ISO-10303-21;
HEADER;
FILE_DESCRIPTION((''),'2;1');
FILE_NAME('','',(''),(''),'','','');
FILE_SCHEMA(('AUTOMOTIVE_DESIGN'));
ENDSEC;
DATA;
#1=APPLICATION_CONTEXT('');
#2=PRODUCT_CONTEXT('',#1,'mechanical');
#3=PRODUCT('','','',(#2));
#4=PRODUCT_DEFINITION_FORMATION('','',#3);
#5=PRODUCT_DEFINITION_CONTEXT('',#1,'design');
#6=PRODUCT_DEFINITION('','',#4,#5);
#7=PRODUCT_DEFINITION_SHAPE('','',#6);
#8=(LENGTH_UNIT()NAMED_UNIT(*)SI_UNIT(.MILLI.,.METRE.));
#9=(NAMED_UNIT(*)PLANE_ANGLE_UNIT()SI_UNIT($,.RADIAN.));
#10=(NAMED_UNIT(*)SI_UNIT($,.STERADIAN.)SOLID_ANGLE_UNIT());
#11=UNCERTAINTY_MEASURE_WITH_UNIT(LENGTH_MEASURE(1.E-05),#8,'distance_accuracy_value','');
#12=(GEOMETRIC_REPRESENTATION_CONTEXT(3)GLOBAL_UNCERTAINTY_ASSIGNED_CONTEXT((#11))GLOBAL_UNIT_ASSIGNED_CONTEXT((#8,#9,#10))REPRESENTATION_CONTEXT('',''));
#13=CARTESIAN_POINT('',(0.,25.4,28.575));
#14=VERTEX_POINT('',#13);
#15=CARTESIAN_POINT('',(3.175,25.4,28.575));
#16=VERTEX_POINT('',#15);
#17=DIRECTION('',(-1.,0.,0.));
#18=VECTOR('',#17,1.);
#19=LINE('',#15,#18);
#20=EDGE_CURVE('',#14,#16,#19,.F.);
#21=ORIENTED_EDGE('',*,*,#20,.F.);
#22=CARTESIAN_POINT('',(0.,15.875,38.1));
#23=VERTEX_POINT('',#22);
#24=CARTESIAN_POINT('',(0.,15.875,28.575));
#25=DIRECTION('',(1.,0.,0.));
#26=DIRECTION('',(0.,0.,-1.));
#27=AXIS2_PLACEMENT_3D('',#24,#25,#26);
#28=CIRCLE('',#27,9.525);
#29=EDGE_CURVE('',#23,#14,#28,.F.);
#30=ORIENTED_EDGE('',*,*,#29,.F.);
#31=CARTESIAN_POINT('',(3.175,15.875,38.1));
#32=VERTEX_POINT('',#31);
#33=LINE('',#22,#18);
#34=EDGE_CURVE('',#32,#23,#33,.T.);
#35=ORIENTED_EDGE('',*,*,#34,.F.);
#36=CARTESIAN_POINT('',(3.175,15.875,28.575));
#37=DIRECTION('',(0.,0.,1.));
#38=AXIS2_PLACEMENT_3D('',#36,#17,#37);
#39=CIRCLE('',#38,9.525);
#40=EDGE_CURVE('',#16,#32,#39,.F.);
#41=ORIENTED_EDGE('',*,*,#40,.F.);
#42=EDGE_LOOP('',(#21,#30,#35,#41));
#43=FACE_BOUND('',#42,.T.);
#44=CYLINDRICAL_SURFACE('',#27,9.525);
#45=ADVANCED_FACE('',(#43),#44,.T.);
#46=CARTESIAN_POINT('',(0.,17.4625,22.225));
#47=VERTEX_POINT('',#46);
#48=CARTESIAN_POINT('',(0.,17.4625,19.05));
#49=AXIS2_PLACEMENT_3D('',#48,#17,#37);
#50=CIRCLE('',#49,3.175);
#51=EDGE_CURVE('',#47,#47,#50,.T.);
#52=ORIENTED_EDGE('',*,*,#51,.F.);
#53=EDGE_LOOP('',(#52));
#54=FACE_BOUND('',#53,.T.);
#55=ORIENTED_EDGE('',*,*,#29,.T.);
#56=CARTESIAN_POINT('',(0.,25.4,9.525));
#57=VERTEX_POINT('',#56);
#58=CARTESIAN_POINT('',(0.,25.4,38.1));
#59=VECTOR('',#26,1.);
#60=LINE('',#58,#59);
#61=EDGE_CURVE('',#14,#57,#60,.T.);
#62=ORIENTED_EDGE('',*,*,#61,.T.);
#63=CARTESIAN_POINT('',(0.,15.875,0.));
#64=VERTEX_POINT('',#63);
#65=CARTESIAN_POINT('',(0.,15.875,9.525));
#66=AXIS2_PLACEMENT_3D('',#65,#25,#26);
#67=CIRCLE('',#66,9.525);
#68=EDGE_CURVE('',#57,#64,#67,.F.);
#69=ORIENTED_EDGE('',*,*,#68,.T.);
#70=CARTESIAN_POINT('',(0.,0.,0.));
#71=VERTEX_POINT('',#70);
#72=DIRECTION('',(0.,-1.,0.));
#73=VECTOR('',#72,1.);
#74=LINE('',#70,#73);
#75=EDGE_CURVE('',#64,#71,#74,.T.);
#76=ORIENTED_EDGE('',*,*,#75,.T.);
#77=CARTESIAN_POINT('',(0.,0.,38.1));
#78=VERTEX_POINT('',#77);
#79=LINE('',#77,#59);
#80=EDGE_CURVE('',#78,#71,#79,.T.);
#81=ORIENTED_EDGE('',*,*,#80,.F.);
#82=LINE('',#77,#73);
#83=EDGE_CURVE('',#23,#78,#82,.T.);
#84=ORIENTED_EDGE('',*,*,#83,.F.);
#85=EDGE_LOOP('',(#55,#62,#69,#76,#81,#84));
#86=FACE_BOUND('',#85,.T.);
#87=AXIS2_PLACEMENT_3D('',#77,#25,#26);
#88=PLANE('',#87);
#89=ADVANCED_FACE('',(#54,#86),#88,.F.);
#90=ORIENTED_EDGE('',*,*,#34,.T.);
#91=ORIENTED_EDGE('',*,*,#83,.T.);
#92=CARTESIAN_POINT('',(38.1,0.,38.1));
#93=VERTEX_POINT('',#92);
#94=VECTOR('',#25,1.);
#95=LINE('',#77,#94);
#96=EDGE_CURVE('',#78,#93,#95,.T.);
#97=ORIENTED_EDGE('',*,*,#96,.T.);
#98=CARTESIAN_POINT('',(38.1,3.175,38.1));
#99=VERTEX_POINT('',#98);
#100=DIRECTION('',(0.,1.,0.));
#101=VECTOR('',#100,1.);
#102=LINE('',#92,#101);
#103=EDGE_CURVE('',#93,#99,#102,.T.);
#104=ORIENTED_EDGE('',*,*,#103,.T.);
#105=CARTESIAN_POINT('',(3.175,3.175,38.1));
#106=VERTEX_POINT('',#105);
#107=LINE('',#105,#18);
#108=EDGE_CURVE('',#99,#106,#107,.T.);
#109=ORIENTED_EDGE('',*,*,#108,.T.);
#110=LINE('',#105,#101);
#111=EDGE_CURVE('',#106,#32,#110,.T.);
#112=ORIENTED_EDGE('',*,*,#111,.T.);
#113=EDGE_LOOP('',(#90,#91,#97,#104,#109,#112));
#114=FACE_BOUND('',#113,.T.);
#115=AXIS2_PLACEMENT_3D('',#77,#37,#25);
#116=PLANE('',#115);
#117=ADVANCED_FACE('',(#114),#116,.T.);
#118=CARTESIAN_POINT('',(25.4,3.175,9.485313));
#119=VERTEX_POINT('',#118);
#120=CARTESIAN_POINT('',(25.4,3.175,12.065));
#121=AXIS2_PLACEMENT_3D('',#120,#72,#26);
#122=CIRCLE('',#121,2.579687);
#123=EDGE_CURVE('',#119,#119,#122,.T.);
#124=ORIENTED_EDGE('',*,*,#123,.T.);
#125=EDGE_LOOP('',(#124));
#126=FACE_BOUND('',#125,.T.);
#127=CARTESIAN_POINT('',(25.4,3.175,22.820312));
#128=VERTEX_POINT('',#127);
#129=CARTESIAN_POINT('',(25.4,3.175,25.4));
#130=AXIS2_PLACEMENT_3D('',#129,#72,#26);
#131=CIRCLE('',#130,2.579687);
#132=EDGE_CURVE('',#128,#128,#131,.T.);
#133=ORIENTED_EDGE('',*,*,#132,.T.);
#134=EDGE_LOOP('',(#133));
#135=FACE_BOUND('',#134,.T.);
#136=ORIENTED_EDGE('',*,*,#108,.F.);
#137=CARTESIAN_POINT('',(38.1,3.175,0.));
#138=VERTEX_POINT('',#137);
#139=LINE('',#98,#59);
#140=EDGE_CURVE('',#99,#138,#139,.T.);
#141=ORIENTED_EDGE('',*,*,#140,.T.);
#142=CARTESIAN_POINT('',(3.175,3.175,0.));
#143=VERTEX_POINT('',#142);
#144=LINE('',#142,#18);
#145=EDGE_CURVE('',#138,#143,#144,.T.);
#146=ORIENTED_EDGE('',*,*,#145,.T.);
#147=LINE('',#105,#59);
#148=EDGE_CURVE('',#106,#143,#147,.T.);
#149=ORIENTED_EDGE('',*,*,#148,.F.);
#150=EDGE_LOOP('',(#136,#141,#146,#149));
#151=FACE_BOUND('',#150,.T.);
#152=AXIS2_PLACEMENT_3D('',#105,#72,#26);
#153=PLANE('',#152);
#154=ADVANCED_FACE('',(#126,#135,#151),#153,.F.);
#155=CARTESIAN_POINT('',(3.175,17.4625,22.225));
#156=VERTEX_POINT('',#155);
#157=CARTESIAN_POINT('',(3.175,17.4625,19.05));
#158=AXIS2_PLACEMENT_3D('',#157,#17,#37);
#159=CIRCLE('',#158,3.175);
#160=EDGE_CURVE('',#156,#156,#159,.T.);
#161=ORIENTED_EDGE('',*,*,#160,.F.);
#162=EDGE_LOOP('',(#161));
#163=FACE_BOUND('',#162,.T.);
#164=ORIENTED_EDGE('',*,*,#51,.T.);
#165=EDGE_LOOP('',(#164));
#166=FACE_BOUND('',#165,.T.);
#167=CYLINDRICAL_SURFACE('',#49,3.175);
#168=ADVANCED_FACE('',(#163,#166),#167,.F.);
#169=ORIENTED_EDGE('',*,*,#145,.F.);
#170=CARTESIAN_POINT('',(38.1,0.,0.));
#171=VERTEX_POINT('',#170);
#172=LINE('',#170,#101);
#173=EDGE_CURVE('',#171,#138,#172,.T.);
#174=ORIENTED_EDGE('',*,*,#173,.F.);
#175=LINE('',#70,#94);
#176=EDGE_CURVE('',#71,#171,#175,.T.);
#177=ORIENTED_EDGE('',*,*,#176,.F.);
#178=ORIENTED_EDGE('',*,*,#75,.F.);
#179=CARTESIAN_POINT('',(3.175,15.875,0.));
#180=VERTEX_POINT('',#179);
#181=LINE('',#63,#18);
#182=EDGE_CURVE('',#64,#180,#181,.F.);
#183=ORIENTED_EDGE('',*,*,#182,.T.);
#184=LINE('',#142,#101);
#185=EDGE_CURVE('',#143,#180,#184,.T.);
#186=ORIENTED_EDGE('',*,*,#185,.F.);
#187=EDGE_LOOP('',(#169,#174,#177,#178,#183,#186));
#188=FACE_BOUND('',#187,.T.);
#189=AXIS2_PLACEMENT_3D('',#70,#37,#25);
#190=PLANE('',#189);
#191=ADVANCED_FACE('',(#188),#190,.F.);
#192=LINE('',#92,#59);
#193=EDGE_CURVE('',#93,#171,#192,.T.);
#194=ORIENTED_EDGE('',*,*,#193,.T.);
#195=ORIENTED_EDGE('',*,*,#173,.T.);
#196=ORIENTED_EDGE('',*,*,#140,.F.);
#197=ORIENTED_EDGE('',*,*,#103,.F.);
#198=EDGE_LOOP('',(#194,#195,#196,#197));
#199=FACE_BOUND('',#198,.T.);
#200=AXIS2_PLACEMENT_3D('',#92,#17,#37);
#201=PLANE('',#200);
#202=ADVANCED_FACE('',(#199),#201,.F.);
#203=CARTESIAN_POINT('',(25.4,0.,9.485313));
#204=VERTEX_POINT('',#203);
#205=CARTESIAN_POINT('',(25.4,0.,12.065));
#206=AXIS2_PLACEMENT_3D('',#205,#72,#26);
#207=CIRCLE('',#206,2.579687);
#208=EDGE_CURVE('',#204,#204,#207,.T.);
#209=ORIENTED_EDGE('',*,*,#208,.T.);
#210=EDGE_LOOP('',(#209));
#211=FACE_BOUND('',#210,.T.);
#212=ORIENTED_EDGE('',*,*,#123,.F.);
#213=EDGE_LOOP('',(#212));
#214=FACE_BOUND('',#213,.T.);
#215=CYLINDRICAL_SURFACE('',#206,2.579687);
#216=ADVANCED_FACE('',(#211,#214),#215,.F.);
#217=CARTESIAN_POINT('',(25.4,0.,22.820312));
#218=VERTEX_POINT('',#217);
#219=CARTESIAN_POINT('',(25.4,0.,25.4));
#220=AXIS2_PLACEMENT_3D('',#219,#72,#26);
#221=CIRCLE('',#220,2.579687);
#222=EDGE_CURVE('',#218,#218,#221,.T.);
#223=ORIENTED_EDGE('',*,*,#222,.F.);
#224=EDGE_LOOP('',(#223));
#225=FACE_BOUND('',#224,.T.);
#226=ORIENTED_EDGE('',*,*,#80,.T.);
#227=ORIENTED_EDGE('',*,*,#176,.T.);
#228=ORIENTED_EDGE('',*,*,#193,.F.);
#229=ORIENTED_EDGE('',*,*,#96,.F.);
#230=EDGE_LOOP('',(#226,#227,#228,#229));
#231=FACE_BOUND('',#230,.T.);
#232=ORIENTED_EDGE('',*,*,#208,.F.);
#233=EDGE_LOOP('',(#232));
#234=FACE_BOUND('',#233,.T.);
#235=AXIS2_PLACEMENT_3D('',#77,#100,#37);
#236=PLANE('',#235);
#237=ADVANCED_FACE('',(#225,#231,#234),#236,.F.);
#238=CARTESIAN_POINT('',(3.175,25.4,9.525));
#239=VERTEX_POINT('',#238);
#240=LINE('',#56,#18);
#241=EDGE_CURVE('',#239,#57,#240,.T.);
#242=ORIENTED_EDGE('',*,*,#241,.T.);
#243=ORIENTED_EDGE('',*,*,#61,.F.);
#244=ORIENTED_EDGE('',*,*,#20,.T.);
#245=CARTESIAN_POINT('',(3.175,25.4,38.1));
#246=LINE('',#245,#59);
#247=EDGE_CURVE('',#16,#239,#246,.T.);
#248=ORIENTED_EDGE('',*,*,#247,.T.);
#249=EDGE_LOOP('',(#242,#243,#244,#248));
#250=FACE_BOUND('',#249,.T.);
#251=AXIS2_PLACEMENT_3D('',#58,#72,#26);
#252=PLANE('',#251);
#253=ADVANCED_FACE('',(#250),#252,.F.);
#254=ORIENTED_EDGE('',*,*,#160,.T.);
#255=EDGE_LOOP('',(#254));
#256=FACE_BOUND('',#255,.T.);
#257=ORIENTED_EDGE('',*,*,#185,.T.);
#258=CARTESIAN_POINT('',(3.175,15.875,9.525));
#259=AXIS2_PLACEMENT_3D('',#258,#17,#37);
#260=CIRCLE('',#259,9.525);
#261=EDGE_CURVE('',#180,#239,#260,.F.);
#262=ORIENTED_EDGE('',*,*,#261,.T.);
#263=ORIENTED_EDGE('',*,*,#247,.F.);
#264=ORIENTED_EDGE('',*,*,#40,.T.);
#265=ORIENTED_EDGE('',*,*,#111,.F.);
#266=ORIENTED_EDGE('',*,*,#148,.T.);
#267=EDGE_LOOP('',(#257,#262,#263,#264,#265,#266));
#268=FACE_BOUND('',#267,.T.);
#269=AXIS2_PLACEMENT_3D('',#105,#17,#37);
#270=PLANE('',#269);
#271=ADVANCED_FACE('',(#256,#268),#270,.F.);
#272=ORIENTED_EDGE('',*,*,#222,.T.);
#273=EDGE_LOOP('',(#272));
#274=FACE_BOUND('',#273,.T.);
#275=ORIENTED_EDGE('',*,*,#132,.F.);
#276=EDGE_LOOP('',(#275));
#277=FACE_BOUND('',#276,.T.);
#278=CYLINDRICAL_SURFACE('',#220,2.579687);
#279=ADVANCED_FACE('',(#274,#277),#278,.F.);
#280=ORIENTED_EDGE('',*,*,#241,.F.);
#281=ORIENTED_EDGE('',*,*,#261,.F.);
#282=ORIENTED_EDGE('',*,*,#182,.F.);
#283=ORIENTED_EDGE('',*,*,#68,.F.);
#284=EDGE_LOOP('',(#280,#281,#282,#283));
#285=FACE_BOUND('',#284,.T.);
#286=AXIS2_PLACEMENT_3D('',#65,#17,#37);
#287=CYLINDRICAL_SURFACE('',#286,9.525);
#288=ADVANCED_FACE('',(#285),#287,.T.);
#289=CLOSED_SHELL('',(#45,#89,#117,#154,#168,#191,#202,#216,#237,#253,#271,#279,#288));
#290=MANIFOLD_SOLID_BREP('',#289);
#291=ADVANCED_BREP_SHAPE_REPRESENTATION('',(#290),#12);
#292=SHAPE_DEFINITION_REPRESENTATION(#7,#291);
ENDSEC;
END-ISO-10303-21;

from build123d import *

# Parameters (mm, degrees)
BOSS_EXTRUDE1_DEPTH              = 38.1
F_13_64_0_20313_DIAMETER_HOLE1_D = 5.159375
F_1_4_0_25_DIAMETER_HOLE2_D      = 6.35
FILLET1_R                        = 9.525


with BuildPart() as part:
    # Sketch1 → Boss-Extrude1 (new body)
    with BuildSketch(Plane.XY):
        Polygon((0, 0), (0, 25.4), (3.175, 25.4), (3.175, 3.175), (38.1, 3.175), (38.1, 0), align=None)
    extrude(amount=BOSS_EXTRUDE1_DEPTH)

    # 13/64 (0.20313) Diameter Hole1 (through all)
    with Locations(Plane(origin=(0, 0, 0), x_dir=(-1, 0, 0), z_dir=(0, -1, 0))):
        with Locations((-25.4, -25.4), (-25.4, -12.065)):
            Hole(F_13_64_0_20313_DIAMETER_HOLE1_D / 2)

    # 1/4 (0.25) Diameter Hole2 (through all)
    with Locations(Plane.ZY):
        with Locations((19.05, 17.4625)):
            Hole(F_1_4_0_25_DIAMETER_HOLE2_D / 2)

    # Fillet1
    fillet1_edges = [part.edges().sort_by_distance(p)[0] for p in [
        (1.5875, 25.4, 38.1),
        (1.5875, 25.4, 0),
    ]]
    fillet(fillet1_edges, radius=FILLET1_R)


solid = part.part
